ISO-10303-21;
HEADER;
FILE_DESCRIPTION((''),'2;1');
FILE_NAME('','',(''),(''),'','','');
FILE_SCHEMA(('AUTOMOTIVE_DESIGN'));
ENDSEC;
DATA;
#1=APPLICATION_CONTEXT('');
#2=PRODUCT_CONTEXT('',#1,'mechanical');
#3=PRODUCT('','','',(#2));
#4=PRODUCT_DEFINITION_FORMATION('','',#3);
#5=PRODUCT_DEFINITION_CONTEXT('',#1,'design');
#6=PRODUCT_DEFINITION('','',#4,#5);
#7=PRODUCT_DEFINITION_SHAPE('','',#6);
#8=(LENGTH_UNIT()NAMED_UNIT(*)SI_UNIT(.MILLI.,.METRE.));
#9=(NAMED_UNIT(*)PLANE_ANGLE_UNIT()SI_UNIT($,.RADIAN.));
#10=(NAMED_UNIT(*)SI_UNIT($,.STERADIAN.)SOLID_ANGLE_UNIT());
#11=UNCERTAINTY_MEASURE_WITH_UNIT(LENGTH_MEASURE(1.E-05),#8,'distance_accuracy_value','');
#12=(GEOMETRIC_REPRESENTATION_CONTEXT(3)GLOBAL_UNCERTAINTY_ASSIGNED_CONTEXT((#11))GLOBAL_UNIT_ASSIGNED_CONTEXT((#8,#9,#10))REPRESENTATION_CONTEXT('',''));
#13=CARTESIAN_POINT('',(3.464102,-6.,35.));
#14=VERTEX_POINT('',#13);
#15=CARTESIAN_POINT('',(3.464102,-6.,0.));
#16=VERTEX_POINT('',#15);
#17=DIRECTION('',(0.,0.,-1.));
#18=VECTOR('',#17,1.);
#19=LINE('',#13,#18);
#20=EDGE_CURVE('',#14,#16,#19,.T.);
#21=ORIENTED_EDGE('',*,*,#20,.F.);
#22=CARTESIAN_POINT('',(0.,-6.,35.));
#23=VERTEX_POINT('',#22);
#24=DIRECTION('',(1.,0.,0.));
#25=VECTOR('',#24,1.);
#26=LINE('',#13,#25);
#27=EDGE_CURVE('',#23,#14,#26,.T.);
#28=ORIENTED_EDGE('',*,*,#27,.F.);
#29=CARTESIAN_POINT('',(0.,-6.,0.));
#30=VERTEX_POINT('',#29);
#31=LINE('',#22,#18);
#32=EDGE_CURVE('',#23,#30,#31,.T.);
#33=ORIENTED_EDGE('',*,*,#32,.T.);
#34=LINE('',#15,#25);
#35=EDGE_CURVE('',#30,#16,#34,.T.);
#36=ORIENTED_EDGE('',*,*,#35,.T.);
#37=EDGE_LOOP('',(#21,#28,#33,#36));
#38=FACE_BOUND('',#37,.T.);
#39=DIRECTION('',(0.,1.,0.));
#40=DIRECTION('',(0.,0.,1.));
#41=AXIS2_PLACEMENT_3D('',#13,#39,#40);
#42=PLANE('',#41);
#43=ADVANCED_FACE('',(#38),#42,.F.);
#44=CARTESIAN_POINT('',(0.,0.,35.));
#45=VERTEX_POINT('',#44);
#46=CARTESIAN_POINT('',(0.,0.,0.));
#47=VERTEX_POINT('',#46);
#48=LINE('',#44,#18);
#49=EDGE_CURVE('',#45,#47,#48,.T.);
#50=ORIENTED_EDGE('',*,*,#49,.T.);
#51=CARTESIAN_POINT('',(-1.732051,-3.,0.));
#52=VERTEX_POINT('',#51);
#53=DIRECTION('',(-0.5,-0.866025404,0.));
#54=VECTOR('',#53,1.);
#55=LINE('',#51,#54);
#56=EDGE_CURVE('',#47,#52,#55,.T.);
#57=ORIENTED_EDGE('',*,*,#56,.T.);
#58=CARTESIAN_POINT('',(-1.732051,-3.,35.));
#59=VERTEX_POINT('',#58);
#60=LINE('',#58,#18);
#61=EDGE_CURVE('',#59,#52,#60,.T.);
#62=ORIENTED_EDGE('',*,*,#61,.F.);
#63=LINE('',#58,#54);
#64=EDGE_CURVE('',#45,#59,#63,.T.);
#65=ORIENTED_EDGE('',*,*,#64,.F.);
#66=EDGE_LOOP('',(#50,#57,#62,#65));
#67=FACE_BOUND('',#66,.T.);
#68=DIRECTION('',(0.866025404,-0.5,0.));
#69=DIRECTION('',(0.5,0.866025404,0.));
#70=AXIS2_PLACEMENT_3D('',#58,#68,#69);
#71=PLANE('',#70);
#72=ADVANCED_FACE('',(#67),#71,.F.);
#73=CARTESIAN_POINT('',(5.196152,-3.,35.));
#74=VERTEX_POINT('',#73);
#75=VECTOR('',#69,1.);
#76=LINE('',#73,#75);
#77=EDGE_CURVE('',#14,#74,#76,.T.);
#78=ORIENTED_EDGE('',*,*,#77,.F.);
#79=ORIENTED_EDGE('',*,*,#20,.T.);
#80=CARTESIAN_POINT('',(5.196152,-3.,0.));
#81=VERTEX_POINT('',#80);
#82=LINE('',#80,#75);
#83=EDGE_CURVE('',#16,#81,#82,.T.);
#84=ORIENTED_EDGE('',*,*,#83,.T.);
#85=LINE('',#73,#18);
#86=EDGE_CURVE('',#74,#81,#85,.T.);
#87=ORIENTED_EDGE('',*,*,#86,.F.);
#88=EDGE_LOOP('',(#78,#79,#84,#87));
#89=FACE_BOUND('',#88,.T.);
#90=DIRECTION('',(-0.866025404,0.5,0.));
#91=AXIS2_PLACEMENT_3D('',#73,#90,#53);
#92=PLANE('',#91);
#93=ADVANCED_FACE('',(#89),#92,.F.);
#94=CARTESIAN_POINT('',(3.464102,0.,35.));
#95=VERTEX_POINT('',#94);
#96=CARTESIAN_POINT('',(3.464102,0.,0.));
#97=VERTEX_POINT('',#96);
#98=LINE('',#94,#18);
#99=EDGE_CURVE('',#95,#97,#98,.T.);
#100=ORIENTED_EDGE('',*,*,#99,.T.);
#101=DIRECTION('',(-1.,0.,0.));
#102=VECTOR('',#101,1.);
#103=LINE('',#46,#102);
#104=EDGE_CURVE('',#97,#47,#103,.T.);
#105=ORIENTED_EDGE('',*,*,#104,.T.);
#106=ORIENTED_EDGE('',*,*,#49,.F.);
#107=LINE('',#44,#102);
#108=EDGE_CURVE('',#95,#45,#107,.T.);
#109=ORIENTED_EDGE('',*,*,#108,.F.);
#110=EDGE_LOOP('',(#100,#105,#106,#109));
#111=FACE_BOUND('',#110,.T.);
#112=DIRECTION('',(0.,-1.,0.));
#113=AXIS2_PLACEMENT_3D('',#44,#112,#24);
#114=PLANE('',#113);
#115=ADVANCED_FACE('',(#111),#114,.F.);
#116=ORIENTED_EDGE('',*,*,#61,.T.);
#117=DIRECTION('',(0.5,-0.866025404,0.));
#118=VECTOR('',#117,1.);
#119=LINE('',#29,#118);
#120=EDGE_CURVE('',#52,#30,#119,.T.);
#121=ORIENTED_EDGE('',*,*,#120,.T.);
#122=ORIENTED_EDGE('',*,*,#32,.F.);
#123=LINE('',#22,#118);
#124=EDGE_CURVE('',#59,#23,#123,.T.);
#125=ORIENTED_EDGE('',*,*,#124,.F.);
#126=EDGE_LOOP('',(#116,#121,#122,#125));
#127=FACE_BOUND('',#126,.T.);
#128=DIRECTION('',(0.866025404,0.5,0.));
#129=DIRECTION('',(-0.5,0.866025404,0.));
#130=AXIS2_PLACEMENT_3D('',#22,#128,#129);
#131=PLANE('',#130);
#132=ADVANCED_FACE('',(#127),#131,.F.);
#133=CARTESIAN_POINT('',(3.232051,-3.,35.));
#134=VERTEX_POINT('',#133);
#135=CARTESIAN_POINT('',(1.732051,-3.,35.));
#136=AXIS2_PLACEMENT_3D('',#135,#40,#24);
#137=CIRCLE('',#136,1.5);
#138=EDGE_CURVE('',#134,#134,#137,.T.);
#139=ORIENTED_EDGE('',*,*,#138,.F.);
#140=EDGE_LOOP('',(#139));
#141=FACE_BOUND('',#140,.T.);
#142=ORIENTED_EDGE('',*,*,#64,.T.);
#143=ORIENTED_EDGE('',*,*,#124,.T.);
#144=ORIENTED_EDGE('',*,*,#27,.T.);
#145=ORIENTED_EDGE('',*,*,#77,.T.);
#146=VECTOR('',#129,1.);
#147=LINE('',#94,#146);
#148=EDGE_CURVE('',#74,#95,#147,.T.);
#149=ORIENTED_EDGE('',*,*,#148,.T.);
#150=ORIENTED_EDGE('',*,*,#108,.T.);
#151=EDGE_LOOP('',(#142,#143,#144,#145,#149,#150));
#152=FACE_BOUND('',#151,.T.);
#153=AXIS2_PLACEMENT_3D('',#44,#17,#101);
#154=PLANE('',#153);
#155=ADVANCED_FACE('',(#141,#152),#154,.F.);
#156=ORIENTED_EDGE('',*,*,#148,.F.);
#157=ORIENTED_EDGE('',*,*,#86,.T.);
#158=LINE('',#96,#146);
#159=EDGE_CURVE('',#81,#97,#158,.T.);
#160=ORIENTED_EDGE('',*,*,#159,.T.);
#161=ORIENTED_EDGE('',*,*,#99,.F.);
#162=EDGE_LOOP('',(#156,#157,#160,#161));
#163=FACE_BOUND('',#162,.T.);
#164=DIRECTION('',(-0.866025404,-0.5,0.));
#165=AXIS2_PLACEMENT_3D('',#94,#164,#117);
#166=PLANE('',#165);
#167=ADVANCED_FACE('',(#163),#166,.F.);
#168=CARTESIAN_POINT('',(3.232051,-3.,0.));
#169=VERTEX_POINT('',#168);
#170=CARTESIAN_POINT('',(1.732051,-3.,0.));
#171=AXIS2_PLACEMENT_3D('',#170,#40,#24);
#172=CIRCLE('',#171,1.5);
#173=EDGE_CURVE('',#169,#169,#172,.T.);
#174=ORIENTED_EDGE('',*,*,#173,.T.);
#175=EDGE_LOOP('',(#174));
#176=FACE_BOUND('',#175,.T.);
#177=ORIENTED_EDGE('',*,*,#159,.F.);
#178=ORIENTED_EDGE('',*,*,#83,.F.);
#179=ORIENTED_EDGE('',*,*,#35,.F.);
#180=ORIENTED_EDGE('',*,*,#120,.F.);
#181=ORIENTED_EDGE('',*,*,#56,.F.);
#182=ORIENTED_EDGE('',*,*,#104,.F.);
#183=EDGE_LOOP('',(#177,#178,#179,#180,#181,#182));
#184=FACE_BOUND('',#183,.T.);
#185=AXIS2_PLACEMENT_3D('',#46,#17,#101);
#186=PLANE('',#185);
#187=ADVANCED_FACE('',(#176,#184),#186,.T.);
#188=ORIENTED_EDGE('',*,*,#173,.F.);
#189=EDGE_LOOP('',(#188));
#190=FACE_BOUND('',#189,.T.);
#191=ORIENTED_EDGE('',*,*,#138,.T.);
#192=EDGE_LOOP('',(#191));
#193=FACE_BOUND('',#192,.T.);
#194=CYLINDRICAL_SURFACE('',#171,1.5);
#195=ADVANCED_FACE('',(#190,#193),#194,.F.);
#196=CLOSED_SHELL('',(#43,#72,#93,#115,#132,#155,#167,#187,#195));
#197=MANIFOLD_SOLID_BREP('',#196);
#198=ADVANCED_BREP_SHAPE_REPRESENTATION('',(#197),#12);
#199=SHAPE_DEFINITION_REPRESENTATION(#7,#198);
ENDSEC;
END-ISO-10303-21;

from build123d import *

# Parameters (mm, degrees)
EXTRUDE_1_DEPTH     = 35
SKETCH_2_R          = 1.5
CUT_EXTRUDE_1_DEPTH = 36.88871689


with BuildPart() as part:
    # 草图1 → 凸台-拉伸1 (new body)
    with BuildSketch(Plane.XY):
        Polygon((0, 0), (3.464101615, 0), (5.196152423, -3), (3.464101615, -6), (0, -6), (-1.732050808, -3), align=None)
    extrude(amount=EXTRUDE_1_DEPTH)

    # 草图2 → 切除-拉伸1 (cut, through all)
    with BuildSketch(Plane.XY.offset(35)):
        with Locations((1.732050808, -3)):
            Circle(SKETCH_2_R)
    extrude(amount=-CUT_EXTRUDE_1_DEPTH, mode=Mode.SUBTRACT)


solid = part.part
